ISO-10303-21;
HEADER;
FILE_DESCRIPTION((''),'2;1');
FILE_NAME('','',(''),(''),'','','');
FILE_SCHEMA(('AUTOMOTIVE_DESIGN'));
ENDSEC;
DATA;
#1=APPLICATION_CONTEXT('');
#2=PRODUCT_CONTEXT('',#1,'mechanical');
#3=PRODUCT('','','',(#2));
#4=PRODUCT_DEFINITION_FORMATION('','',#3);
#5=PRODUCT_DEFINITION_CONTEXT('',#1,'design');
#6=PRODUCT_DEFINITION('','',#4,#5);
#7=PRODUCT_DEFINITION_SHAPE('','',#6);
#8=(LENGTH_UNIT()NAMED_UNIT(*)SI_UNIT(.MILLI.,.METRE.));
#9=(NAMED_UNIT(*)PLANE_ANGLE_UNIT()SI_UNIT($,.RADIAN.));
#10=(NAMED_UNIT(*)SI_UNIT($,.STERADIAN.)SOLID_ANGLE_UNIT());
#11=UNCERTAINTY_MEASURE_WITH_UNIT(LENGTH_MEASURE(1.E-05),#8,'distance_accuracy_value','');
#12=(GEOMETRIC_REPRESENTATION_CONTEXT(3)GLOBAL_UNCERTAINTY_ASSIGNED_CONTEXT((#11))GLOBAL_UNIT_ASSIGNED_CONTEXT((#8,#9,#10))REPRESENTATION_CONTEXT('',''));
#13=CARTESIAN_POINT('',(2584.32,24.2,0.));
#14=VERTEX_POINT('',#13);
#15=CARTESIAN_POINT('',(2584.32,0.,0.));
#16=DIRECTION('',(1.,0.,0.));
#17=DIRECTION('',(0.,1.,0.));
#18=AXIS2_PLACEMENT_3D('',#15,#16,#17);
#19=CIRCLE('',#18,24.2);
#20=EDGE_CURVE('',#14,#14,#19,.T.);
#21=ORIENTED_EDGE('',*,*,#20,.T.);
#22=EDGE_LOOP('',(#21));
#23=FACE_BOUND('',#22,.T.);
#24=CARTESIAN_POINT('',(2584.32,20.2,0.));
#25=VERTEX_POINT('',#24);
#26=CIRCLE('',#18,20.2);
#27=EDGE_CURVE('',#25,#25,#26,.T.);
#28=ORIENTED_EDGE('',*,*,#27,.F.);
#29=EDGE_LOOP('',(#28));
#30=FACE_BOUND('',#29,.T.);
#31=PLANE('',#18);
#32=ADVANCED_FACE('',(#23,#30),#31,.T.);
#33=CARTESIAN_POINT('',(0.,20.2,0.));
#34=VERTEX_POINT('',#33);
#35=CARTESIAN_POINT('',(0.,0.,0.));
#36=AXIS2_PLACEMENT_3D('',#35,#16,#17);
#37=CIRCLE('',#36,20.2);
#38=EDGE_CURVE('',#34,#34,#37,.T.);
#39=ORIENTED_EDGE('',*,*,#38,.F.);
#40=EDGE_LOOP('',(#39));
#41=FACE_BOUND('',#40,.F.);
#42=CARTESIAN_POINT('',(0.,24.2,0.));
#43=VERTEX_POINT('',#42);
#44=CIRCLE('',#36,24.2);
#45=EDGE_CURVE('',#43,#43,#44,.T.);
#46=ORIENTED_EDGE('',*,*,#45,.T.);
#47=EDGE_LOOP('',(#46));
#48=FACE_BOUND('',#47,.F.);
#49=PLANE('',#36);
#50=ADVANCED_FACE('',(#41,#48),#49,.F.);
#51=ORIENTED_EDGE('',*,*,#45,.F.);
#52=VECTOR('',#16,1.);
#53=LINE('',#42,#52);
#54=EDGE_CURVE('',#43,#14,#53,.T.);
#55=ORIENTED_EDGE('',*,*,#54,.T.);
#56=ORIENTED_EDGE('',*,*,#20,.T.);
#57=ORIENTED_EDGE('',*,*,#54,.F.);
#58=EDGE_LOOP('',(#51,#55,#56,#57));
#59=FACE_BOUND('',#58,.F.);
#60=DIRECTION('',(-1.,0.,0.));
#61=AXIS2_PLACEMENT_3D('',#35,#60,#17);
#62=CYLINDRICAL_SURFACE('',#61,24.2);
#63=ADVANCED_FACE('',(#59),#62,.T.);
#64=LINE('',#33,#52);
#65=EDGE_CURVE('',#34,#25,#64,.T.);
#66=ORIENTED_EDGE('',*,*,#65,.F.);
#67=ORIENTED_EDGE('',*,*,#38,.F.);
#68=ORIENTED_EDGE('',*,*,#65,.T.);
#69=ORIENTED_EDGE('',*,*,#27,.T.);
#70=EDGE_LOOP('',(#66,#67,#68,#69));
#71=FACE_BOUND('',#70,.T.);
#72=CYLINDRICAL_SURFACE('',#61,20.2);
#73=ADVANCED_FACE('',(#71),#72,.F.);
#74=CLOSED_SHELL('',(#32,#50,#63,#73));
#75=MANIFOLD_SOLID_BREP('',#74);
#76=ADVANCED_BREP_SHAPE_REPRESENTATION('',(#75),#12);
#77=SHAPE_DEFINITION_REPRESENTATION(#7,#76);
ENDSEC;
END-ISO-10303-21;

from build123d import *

# Parameters (mm, degrees)
F0_R     = 24.2
F1_DEPTH = 2584.32
F2_T     = -4


with BuildPart() as f1:
    # F0 (on Right) → F1 (new body)
    with BuildSketch(Plane.YZ):
        Circle(F0_R)
    extrude(amount=F1_DEPTH)

    # F2
    f2_openings = [f1.faces().sort_by_distance(p)[0] for p in [
        (2584.32, 0, 0),
        (0, 0, 0),
    ]]
    offset(amount=F2_T, openings=f2_openings)


solid = f1.part
